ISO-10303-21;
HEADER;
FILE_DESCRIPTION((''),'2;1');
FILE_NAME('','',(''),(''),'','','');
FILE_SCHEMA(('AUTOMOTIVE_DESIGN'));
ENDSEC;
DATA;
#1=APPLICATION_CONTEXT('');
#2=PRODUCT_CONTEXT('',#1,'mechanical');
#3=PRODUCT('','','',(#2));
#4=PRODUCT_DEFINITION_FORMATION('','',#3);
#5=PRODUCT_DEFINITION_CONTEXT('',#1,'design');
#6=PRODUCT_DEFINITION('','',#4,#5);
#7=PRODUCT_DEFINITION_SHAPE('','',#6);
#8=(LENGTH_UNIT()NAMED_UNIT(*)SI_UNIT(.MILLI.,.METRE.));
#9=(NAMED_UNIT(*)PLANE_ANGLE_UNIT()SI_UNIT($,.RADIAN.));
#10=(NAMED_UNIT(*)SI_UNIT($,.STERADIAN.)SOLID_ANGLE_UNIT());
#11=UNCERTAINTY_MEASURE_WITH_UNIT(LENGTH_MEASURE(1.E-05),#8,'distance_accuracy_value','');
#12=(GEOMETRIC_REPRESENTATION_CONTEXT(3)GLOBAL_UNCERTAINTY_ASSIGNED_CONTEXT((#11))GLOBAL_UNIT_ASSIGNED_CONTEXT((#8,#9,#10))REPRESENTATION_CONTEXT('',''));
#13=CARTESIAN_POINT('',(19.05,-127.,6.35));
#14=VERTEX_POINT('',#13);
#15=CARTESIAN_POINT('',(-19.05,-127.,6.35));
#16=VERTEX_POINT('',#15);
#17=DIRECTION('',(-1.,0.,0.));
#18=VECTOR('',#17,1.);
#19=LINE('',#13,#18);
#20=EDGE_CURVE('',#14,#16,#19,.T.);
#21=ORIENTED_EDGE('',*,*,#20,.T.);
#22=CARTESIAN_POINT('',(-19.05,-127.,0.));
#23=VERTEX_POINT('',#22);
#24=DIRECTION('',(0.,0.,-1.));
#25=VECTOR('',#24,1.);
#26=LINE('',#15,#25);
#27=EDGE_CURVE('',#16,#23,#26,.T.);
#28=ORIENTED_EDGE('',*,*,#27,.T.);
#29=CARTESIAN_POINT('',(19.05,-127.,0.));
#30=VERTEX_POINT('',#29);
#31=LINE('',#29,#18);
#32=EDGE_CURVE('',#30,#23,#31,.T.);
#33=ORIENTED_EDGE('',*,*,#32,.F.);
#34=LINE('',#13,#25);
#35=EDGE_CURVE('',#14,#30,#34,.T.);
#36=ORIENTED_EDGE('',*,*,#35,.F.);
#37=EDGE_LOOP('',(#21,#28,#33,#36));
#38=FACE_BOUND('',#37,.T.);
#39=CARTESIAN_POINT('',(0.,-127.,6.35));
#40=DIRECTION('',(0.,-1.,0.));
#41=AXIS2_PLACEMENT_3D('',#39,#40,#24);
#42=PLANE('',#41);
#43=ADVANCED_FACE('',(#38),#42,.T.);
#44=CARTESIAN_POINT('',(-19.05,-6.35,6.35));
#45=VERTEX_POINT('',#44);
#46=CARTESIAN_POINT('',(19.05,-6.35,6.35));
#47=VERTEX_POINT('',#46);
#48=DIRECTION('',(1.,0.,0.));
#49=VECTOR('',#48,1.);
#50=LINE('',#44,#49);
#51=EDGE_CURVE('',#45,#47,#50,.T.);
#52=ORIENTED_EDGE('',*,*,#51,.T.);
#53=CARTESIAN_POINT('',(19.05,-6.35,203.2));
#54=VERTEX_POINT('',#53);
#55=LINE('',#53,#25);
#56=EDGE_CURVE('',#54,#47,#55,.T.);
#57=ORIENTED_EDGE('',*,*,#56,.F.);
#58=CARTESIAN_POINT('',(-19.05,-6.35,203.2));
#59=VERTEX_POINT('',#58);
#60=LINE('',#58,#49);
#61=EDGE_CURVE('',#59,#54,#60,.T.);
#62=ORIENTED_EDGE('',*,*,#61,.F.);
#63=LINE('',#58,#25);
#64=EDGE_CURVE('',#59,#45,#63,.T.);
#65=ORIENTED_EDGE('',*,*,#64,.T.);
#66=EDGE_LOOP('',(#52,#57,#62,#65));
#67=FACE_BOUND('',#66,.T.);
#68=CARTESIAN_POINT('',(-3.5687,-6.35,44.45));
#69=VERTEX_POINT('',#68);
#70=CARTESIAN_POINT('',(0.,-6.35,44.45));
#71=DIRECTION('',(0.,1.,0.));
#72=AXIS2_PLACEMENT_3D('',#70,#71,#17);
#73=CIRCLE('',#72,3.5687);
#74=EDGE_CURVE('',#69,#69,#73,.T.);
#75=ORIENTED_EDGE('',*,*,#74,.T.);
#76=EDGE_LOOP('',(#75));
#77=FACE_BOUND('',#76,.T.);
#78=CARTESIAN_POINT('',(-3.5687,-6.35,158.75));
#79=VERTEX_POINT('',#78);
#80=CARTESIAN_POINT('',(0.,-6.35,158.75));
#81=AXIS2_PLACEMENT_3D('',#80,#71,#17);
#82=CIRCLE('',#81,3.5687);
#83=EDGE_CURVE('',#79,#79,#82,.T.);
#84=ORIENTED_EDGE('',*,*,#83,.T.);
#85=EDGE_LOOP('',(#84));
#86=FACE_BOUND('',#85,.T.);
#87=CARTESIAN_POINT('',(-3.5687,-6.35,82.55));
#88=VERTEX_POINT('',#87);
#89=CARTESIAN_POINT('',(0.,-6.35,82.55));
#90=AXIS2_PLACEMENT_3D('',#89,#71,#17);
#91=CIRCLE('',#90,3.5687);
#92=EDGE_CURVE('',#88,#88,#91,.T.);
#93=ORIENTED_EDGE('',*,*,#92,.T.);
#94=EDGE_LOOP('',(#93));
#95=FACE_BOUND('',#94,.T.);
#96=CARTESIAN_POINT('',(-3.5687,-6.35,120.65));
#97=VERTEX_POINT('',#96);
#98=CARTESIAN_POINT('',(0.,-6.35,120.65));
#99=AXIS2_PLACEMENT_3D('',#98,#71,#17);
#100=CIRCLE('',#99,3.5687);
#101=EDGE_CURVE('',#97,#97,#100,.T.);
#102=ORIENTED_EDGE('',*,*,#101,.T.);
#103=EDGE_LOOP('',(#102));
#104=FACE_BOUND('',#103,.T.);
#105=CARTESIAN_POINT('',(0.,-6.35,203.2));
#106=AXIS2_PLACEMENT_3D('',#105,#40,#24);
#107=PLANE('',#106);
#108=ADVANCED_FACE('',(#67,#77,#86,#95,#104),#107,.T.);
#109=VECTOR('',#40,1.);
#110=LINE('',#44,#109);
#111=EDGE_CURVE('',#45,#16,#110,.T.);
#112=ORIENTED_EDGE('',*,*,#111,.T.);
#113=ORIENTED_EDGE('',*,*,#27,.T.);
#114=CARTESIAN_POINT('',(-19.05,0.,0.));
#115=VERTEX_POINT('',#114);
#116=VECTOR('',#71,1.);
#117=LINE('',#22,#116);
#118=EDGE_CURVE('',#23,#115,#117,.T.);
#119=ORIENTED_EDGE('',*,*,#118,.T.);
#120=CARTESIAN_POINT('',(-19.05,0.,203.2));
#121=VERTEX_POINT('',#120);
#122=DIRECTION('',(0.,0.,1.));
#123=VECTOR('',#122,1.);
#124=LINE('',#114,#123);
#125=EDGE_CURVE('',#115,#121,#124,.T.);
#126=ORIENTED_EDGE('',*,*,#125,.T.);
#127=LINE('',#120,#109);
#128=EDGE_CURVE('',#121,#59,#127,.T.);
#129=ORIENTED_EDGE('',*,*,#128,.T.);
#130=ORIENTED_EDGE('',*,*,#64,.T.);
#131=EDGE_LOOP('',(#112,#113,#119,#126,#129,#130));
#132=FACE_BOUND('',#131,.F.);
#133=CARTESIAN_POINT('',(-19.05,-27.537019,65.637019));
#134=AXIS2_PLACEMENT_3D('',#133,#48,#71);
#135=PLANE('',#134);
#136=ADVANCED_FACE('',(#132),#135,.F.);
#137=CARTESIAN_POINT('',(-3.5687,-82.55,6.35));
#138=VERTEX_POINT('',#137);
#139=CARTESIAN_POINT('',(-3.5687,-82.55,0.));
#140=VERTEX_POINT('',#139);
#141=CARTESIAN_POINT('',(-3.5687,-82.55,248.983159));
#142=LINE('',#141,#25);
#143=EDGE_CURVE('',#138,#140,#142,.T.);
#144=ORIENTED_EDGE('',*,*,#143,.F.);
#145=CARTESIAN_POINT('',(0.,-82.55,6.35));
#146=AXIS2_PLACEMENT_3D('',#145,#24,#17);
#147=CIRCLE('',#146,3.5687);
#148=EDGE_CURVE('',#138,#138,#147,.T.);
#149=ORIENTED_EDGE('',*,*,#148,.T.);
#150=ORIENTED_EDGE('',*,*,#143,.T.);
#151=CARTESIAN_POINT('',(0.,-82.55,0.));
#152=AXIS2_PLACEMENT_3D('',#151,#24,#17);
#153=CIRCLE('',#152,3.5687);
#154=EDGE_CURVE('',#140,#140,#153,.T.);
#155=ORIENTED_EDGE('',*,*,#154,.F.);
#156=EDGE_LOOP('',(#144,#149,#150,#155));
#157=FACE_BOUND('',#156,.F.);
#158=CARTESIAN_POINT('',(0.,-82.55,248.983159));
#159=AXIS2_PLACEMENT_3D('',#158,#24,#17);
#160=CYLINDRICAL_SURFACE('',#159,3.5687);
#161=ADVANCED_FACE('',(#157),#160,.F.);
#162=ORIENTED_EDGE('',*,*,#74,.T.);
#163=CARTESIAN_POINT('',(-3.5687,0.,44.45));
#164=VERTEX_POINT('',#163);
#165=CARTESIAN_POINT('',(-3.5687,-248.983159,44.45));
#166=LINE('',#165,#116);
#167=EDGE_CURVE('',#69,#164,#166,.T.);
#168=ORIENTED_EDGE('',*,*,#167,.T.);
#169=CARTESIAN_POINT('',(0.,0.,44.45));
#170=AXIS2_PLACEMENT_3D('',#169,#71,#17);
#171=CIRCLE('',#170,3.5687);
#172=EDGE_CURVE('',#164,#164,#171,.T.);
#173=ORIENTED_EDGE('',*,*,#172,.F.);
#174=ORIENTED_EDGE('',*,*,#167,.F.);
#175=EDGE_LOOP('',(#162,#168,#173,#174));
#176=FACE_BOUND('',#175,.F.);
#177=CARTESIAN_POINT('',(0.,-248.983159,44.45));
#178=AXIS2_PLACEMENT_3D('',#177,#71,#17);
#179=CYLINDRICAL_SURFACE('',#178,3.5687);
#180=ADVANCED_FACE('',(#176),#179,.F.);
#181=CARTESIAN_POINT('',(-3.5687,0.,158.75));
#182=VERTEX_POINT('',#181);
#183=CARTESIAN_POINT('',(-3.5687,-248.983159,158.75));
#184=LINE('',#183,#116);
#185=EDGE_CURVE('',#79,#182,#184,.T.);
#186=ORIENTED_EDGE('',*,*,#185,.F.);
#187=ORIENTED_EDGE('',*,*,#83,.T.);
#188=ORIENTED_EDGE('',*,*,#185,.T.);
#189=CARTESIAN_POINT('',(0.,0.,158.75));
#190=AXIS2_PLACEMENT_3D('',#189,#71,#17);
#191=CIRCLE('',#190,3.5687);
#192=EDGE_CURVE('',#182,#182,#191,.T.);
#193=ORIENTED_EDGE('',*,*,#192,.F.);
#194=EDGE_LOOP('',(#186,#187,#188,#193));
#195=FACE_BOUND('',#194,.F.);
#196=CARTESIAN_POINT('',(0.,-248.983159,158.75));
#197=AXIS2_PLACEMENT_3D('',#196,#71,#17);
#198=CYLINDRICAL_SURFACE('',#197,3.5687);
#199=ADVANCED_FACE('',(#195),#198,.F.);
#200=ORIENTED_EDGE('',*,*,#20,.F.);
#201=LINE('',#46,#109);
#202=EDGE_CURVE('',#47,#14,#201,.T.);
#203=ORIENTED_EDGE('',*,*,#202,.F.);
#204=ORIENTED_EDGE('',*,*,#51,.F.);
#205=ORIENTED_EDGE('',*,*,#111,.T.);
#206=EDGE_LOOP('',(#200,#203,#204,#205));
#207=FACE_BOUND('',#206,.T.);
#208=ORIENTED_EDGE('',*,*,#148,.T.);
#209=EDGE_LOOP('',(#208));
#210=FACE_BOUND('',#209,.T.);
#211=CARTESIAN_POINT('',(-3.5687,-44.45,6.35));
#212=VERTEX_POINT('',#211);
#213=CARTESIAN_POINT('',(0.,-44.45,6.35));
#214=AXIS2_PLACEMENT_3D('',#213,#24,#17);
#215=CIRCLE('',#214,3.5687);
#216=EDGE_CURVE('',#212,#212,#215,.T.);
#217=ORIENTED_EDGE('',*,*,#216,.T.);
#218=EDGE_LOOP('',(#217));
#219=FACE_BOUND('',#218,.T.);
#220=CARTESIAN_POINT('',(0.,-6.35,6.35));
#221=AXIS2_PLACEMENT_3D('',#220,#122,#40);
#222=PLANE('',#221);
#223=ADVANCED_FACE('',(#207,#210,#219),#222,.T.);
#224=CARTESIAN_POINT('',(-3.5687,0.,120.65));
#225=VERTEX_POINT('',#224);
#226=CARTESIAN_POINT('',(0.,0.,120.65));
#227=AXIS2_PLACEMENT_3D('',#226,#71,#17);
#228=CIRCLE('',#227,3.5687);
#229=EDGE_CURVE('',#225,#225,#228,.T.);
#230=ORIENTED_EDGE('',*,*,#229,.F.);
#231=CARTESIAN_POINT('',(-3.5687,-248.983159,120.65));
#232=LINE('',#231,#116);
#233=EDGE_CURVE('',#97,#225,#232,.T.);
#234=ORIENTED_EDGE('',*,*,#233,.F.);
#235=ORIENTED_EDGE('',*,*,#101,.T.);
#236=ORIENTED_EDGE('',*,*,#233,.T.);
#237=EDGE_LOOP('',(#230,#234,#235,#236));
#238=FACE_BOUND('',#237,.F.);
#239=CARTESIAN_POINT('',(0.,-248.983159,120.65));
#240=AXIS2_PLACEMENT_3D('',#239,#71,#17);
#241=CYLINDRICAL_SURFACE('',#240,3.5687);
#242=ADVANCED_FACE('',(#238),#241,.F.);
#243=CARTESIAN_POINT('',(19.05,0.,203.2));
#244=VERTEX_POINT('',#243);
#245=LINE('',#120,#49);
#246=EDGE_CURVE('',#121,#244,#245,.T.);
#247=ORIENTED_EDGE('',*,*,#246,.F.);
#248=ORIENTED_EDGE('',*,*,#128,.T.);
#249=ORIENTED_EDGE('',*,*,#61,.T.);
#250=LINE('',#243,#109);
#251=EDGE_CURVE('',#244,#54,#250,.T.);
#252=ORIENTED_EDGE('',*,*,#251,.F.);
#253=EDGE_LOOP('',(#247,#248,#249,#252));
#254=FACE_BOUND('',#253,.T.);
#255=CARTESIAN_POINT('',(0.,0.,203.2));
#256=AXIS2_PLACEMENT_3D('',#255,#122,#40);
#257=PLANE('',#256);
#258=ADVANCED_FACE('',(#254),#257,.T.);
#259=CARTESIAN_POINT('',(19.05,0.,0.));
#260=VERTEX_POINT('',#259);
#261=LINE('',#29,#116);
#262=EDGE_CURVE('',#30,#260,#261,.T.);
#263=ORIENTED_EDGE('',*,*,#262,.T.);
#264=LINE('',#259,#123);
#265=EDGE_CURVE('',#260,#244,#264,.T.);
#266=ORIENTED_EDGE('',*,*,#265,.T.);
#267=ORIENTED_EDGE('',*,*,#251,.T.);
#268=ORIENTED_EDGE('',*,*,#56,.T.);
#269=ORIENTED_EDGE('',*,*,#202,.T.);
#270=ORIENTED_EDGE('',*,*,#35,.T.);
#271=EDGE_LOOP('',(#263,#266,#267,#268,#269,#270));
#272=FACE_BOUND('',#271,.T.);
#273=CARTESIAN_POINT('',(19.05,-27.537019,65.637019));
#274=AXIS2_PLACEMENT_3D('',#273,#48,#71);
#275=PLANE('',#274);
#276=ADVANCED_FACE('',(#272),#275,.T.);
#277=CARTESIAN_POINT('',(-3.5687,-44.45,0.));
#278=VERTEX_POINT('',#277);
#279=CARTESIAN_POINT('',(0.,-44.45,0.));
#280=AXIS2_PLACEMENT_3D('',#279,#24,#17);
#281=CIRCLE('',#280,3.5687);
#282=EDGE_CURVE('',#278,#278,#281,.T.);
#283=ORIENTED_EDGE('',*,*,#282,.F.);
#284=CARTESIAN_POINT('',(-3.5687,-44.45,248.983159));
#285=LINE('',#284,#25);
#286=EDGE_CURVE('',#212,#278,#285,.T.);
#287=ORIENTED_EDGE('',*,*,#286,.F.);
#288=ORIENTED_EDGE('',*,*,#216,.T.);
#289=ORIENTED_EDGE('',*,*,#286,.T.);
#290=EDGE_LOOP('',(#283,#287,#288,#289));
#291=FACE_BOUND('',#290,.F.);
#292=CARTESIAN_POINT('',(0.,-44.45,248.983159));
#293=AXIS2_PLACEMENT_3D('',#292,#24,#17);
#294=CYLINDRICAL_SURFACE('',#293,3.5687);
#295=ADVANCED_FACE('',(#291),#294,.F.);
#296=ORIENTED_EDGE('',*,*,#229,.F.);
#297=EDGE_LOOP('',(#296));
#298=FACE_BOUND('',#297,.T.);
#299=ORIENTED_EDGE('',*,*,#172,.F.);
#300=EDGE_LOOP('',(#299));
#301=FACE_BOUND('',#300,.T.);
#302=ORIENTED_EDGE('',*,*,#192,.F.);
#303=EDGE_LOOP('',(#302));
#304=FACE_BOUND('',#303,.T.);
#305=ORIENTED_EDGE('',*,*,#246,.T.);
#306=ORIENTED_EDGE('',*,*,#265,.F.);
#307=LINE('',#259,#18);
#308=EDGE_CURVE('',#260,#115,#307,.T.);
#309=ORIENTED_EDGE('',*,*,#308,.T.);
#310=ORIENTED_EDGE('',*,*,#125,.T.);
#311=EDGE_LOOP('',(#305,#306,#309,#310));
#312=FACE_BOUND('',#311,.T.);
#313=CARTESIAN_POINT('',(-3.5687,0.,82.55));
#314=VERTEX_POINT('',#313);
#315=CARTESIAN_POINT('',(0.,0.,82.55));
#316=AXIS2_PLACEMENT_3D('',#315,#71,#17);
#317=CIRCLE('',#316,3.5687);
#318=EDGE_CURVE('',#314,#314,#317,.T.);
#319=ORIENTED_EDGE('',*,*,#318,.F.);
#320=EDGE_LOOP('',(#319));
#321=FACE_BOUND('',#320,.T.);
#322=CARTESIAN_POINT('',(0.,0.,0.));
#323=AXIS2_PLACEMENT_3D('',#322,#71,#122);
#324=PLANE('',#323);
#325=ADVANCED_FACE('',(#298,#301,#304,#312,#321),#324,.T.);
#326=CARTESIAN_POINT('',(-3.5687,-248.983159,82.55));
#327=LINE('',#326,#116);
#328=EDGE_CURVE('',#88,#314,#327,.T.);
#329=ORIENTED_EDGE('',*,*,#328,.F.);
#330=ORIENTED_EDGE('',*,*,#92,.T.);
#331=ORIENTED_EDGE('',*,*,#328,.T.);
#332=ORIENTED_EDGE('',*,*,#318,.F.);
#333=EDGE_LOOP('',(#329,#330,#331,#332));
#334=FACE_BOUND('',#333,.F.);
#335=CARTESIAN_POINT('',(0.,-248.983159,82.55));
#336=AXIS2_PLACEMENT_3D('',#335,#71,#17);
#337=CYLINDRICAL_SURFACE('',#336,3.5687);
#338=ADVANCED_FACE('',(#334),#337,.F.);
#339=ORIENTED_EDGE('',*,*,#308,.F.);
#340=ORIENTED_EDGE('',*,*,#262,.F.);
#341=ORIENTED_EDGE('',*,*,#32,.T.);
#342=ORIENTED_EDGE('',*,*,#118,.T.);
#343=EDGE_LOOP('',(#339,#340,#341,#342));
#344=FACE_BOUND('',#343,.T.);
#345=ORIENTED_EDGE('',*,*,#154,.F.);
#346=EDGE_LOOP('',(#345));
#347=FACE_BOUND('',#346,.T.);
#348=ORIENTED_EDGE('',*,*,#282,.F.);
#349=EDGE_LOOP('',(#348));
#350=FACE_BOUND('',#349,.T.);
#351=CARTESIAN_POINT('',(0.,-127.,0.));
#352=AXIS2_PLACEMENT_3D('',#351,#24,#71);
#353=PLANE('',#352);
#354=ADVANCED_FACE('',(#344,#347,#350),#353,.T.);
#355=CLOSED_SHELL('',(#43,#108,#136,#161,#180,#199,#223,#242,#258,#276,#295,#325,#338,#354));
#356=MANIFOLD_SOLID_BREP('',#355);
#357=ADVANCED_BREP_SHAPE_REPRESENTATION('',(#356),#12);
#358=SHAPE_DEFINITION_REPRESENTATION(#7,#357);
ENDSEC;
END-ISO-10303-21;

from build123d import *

# Parameters (mm, degrees)
F1_DEPTH   = 19.05
F4_D       = 7.1374
F4_ON_F2_D = 7.1374


with BuildPart() as f1:
    # F0 (on Right) → F1 (new body, symmetric)
    with BuildSketch(Plane.YZ):
        Polygon((0, 0), (0, 203.2), (-6.3499999233, 203.2), (-6.3499999233, 6.3499999233), (-127, 6.3499999233), (-127, 0), align=None)
    extrude(amount=F1_DEPTH, both=True)

    # F4 (through all)
    with Locations(Plane.XZ.offset(6.3499999233)):
        with Locations((0, 158.7499999233), (0, 120.6499999233), (0, 82.5499999233), (0, 44.4499999233)):
            Hole(F4_D / 2)

    # F4 on F2 (through all)
    with Locations(Plane.XY.offset(6.3499999233)):
        with Locations((0, -44.4499999233), (0, -82.5499999233)):
            Hole(F4_ON_F2_D / 2)


solid = f1.part
